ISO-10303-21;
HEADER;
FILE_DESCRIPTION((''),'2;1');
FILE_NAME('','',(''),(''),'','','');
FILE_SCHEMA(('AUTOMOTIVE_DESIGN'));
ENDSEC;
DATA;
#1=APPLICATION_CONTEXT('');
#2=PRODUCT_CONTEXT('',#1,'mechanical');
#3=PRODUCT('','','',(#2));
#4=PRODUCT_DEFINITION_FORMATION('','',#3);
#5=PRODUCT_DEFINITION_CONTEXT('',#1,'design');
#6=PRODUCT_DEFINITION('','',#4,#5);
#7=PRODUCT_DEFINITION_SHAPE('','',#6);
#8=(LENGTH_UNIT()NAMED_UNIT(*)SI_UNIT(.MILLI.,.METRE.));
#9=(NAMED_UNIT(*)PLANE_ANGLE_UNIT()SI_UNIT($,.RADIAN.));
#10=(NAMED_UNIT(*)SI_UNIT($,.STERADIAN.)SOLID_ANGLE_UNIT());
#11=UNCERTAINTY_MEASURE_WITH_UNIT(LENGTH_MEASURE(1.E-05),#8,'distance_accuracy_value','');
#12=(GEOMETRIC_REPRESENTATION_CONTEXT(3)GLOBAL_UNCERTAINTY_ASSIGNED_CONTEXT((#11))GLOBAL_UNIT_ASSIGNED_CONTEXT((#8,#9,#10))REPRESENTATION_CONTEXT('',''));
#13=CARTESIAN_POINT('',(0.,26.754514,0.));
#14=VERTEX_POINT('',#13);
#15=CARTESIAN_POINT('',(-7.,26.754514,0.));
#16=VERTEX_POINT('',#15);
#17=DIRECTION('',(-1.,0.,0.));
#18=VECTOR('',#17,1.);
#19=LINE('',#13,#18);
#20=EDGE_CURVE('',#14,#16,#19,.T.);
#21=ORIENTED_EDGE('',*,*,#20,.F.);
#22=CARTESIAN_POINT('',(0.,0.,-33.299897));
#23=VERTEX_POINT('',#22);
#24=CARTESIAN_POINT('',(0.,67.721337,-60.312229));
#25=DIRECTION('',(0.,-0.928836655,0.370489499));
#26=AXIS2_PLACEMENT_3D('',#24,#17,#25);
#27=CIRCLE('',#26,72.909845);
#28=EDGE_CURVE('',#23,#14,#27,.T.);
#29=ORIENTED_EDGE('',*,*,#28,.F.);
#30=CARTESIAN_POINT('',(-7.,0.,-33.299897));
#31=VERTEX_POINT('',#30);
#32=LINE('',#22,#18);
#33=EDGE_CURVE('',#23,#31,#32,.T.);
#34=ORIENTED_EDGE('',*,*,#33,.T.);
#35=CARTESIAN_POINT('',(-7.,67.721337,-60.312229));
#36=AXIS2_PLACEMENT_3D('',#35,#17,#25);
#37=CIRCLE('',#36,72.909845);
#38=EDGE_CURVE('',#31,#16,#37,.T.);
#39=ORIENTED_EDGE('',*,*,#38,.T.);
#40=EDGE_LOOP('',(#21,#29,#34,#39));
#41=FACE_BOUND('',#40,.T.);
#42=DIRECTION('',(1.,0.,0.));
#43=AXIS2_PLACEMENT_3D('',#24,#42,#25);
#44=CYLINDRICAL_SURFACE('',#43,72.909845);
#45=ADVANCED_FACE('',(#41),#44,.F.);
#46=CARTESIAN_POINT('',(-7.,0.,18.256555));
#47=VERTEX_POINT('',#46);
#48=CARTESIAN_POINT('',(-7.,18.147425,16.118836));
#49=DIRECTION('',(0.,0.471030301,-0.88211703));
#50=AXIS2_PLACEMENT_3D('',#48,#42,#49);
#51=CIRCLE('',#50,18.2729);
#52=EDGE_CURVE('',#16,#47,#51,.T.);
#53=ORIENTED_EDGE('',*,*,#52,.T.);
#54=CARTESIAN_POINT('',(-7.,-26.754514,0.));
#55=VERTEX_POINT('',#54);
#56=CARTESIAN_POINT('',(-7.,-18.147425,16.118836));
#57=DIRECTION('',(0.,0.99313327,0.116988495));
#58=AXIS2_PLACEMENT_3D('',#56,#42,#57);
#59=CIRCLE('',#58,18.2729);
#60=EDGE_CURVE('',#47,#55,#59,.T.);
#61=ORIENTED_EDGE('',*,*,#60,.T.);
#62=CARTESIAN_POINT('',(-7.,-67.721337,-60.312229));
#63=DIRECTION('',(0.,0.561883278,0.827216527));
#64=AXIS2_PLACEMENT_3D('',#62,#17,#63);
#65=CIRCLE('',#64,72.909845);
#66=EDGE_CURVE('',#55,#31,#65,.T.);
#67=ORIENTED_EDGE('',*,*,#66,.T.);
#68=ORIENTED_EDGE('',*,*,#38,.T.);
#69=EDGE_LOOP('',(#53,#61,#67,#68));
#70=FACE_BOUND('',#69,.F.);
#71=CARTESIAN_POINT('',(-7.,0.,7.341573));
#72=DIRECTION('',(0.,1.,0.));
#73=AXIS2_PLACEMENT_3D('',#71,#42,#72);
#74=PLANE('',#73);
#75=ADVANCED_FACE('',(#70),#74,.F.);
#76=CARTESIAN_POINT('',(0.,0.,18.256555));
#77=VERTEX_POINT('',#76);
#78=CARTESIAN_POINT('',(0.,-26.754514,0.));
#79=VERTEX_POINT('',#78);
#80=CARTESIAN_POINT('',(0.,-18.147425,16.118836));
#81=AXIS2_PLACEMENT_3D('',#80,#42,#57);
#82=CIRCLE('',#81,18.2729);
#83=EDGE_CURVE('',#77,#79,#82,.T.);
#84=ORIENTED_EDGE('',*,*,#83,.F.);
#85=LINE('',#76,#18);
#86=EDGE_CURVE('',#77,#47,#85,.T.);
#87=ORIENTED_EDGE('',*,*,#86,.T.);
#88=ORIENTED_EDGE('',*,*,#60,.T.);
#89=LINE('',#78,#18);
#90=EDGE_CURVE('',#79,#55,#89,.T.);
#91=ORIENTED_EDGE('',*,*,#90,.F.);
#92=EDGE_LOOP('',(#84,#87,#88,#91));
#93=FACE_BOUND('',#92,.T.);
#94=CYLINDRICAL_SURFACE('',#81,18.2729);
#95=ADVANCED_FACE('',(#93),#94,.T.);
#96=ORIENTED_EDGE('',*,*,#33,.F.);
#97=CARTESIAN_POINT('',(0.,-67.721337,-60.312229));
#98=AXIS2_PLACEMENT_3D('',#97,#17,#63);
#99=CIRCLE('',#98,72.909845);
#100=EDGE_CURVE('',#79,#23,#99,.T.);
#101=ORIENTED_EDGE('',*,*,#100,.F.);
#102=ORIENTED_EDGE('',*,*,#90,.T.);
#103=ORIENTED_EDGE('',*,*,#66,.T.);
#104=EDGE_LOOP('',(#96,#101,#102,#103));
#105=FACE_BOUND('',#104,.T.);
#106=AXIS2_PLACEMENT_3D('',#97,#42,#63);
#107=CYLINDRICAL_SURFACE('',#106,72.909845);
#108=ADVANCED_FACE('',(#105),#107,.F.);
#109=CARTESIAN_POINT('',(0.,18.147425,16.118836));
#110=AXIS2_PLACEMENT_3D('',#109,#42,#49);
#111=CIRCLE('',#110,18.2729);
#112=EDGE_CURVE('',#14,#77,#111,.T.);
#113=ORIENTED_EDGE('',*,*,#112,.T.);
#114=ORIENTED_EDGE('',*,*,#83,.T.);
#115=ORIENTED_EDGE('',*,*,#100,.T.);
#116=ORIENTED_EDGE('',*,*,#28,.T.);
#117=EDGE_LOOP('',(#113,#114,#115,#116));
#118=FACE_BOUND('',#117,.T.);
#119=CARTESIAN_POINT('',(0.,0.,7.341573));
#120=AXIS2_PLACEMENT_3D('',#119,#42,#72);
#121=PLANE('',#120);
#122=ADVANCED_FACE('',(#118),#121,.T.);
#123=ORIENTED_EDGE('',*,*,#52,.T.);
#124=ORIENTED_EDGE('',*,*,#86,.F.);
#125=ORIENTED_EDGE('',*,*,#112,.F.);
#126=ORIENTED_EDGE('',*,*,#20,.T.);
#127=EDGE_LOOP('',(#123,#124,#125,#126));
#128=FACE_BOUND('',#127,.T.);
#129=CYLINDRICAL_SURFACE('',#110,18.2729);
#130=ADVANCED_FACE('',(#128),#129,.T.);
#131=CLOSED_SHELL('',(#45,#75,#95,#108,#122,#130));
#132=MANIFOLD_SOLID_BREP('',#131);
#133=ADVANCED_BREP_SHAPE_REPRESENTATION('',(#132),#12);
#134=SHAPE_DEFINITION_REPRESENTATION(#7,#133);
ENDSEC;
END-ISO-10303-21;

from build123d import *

# Parameters (mm, degrees)
F2_DEPTH = 7


with BuildPart() as f2:
    # F0 (on Right) → F2 (new body)
    with BuildSketch(Plane.YZ):
        with BuildLine():
            ThreePointArc((0, -33.299897), (10.883851, -14.646643), (26.754514, 0))
            ThreePointArc((26.754514, 0), (28.446937, 31.212507), (0, 18.256555))
            ThreePointArc((0, 18.256555), (-28.446937, 31.212507), (-26.754514, 0))
            ThreePointArc((-26.754514, 0), (-10.883851, -14.646643), (0, -33.299897))
        make_face()
    extrude(amount=-F2_DEPTH)


solid = f2.part
